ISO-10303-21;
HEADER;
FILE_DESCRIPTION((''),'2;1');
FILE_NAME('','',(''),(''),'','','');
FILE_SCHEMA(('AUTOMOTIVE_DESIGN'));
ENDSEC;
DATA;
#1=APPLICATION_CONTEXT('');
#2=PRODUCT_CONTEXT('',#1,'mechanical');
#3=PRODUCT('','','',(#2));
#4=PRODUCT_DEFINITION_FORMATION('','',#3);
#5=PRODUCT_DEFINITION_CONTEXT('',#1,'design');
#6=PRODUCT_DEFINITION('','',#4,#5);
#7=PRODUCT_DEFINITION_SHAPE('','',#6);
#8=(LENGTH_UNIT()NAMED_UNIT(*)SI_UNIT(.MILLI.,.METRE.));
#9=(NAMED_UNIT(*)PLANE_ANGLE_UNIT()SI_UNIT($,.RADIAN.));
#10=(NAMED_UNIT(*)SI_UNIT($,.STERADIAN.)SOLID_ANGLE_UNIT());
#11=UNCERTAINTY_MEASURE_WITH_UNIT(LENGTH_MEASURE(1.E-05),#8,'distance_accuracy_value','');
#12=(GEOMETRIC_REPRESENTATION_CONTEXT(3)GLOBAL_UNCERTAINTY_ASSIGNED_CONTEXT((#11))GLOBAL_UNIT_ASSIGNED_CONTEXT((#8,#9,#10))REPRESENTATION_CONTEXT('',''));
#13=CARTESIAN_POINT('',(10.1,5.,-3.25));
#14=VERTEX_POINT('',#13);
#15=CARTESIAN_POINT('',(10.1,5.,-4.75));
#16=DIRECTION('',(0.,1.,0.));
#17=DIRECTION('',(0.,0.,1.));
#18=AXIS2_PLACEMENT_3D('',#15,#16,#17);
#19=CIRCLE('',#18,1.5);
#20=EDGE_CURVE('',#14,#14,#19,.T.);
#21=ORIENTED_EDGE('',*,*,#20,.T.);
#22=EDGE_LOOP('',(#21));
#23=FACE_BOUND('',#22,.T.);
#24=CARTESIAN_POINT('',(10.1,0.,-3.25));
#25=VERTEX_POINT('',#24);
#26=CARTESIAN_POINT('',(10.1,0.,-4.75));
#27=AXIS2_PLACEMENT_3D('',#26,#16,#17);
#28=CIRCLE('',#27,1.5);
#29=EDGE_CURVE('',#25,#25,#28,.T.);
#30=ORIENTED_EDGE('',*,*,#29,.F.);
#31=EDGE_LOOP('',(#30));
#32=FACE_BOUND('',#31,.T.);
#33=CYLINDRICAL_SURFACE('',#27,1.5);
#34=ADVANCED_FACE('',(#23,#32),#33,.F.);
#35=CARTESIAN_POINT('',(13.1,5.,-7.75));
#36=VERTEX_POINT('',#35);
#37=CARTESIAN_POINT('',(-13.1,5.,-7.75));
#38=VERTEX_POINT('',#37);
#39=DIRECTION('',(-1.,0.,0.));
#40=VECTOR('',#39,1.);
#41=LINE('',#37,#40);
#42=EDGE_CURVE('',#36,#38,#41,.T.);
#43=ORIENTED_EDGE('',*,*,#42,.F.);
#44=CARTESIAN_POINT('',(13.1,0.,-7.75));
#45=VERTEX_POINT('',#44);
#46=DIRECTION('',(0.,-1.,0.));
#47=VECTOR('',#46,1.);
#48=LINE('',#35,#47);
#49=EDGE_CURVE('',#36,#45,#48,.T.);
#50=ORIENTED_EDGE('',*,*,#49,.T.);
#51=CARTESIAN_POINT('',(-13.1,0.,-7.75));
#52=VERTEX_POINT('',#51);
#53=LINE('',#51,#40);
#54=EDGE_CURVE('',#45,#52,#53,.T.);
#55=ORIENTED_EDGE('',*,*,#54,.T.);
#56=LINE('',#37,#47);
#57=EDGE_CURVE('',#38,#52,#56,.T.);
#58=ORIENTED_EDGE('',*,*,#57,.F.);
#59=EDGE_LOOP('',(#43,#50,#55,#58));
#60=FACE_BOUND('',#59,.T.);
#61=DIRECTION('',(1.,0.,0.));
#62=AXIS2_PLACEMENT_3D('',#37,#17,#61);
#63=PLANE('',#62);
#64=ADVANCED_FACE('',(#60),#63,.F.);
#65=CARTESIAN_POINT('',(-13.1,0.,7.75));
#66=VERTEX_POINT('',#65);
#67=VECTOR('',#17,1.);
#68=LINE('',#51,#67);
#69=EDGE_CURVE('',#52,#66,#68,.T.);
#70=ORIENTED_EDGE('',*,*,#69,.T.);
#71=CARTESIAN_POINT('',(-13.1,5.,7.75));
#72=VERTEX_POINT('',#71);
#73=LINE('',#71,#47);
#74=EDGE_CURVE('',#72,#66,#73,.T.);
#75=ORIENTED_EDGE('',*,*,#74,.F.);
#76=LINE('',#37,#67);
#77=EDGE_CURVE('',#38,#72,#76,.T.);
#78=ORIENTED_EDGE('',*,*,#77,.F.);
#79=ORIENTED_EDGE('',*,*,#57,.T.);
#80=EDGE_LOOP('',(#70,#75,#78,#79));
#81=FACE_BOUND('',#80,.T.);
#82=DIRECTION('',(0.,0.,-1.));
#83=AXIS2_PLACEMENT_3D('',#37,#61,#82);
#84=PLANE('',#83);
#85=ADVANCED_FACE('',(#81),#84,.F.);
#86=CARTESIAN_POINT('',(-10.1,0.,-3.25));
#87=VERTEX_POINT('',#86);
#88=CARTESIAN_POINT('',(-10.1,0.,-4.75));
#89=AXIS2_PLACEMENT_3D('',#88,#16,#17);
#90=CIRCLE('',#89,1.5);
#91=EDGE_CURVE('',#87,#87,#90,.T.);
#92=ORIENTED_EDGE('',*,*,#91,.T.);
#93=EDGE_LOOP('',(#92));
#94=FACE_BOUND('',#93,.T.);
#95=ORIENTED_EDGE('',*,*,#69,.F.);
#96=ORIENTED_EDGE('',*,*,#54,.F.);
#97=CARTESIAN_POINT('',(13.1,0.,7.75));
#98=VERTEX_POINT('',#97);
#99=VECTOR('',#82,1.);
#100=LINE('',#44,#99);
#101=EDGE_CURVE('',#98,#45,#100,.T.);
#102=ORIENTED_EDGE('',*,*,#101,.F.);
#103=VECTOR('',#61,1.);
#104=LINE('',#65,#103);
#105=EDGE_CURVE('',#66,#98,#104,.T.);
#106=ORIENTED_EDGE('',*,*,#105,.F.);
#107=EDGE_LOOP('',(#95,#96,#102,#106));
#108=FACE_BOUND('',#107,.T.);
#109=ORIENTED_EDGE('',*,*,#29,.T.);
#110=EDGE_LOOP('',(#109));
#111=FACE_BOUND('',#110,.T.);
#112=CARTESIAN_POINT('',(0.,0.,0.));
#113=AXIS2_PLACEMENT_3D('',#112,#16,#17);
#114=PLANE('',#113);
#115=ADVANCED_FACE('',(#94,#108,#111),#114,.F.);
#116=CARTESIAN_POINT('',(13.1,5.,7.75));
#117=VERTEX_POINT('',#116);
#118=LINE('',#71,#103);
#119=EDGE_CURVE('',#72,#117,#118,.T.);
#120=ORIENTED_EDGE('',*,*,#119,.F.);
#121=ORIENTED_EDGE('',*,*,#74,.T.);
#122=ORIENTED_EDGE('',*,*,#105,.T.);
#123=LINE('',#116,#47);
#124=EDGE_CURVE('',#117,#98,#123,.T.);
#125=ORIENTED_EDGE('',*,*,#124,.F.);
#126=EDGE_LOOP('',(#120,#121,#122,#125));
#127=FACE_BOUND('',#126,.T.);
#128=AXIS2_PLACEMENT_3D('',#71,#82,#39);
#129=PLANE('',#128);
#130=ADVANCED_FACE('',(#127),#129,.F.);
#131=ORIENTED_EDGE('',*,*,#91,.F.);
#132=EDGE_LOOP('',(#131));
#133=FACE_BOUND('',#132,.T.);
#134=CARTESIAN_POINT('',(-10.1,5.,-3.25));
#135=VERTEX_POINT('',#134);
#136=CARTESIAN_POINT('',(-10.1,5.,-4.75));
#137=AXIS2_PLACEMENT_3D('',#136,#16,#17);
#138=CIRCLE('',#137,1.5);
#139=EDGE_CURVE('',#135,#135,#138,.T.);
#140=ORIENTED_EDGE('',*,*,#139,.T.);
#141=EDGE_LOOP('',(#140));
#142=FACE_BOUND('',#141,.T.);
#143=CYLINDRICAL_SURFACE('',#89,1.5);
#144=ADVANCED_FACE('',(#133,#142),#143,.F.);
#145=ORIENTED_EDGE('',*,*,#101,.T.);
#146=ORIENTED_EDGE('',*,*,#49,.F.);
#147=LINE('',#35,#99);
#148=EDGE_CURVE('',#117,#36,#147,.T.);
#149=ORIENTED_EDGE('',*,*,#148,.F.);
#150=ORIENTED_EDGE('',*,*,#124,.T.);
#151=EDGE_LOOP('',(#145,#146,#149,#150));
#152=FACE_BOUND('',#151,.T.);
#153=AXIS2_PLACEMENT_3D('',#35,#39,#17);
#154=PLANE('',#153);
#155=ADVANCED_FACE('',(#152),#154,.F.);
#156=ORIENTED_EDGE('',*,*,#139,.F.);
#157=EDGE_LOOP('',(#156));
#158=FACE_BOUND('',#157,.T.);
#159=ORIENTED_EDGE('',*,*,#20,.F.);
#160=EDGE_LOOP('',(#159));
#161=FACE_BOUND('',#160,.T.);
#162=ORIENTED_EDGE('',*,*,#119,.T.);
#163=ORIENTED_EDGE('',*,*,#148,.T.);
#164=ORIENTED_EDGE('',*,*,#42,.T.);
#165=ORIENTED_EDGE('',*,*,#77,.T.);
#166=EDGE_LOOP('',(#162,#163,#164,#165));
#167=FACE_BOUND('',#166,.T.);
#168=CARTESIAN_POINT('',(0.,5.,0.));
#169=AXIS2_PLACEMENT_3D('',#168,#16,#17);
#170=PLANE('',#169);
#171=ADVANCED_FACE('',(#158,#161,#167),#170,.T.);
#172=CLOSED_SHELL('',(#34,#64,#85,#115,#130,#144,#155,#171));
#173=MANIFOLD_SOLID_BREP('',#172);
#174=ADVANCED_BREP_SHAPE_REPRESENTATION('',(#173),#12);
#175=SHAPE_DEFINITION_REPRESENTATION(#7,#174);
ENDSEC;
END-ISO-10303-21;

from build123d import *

# Parameters (mm, degrees)
SKETCH1_W           = 26.2
SKETCH1_H           = 15.5
BOSS_EXTRUDE1_DEPTH = 5
SKETCH2_R           = 1.5
CUT_EXTRUDE1_DEPTH  = 5


with BuildPart() as part:
    # Sketch1 → Boss-Extrude1 (new body)
    with BuildSketch(Plane(origin=(0, 0, 0), x_dir=(1, 0, 0), z_dir=(0, 1, 0))):
        Rectangle(SKETCH1_W, SKETCH1_H)
    extrude(amount=BOSS_EXTRUDE1_DEPTH)

    # Sketch2 → Cut-Extrude1 (cut)
    with BuildSketch(Plane(origin=(0, 5, 0), x_dir=(1, 0, 0), z_dir=(0, 1, 0))):
        with Locations(Location((-10.1, 4.75, 0), (0, 0, 270))):
            Circle(SKETCH2_R)
        with Locations(Location((10.1, 4.75, 0), (0, 0, 270))):
            Circle(SKETCH2_R)
    extrude(amount=-CUT_EXTRUDE1_DEPTH, mode=Mode.SUBTRACT)


solid = part.part
